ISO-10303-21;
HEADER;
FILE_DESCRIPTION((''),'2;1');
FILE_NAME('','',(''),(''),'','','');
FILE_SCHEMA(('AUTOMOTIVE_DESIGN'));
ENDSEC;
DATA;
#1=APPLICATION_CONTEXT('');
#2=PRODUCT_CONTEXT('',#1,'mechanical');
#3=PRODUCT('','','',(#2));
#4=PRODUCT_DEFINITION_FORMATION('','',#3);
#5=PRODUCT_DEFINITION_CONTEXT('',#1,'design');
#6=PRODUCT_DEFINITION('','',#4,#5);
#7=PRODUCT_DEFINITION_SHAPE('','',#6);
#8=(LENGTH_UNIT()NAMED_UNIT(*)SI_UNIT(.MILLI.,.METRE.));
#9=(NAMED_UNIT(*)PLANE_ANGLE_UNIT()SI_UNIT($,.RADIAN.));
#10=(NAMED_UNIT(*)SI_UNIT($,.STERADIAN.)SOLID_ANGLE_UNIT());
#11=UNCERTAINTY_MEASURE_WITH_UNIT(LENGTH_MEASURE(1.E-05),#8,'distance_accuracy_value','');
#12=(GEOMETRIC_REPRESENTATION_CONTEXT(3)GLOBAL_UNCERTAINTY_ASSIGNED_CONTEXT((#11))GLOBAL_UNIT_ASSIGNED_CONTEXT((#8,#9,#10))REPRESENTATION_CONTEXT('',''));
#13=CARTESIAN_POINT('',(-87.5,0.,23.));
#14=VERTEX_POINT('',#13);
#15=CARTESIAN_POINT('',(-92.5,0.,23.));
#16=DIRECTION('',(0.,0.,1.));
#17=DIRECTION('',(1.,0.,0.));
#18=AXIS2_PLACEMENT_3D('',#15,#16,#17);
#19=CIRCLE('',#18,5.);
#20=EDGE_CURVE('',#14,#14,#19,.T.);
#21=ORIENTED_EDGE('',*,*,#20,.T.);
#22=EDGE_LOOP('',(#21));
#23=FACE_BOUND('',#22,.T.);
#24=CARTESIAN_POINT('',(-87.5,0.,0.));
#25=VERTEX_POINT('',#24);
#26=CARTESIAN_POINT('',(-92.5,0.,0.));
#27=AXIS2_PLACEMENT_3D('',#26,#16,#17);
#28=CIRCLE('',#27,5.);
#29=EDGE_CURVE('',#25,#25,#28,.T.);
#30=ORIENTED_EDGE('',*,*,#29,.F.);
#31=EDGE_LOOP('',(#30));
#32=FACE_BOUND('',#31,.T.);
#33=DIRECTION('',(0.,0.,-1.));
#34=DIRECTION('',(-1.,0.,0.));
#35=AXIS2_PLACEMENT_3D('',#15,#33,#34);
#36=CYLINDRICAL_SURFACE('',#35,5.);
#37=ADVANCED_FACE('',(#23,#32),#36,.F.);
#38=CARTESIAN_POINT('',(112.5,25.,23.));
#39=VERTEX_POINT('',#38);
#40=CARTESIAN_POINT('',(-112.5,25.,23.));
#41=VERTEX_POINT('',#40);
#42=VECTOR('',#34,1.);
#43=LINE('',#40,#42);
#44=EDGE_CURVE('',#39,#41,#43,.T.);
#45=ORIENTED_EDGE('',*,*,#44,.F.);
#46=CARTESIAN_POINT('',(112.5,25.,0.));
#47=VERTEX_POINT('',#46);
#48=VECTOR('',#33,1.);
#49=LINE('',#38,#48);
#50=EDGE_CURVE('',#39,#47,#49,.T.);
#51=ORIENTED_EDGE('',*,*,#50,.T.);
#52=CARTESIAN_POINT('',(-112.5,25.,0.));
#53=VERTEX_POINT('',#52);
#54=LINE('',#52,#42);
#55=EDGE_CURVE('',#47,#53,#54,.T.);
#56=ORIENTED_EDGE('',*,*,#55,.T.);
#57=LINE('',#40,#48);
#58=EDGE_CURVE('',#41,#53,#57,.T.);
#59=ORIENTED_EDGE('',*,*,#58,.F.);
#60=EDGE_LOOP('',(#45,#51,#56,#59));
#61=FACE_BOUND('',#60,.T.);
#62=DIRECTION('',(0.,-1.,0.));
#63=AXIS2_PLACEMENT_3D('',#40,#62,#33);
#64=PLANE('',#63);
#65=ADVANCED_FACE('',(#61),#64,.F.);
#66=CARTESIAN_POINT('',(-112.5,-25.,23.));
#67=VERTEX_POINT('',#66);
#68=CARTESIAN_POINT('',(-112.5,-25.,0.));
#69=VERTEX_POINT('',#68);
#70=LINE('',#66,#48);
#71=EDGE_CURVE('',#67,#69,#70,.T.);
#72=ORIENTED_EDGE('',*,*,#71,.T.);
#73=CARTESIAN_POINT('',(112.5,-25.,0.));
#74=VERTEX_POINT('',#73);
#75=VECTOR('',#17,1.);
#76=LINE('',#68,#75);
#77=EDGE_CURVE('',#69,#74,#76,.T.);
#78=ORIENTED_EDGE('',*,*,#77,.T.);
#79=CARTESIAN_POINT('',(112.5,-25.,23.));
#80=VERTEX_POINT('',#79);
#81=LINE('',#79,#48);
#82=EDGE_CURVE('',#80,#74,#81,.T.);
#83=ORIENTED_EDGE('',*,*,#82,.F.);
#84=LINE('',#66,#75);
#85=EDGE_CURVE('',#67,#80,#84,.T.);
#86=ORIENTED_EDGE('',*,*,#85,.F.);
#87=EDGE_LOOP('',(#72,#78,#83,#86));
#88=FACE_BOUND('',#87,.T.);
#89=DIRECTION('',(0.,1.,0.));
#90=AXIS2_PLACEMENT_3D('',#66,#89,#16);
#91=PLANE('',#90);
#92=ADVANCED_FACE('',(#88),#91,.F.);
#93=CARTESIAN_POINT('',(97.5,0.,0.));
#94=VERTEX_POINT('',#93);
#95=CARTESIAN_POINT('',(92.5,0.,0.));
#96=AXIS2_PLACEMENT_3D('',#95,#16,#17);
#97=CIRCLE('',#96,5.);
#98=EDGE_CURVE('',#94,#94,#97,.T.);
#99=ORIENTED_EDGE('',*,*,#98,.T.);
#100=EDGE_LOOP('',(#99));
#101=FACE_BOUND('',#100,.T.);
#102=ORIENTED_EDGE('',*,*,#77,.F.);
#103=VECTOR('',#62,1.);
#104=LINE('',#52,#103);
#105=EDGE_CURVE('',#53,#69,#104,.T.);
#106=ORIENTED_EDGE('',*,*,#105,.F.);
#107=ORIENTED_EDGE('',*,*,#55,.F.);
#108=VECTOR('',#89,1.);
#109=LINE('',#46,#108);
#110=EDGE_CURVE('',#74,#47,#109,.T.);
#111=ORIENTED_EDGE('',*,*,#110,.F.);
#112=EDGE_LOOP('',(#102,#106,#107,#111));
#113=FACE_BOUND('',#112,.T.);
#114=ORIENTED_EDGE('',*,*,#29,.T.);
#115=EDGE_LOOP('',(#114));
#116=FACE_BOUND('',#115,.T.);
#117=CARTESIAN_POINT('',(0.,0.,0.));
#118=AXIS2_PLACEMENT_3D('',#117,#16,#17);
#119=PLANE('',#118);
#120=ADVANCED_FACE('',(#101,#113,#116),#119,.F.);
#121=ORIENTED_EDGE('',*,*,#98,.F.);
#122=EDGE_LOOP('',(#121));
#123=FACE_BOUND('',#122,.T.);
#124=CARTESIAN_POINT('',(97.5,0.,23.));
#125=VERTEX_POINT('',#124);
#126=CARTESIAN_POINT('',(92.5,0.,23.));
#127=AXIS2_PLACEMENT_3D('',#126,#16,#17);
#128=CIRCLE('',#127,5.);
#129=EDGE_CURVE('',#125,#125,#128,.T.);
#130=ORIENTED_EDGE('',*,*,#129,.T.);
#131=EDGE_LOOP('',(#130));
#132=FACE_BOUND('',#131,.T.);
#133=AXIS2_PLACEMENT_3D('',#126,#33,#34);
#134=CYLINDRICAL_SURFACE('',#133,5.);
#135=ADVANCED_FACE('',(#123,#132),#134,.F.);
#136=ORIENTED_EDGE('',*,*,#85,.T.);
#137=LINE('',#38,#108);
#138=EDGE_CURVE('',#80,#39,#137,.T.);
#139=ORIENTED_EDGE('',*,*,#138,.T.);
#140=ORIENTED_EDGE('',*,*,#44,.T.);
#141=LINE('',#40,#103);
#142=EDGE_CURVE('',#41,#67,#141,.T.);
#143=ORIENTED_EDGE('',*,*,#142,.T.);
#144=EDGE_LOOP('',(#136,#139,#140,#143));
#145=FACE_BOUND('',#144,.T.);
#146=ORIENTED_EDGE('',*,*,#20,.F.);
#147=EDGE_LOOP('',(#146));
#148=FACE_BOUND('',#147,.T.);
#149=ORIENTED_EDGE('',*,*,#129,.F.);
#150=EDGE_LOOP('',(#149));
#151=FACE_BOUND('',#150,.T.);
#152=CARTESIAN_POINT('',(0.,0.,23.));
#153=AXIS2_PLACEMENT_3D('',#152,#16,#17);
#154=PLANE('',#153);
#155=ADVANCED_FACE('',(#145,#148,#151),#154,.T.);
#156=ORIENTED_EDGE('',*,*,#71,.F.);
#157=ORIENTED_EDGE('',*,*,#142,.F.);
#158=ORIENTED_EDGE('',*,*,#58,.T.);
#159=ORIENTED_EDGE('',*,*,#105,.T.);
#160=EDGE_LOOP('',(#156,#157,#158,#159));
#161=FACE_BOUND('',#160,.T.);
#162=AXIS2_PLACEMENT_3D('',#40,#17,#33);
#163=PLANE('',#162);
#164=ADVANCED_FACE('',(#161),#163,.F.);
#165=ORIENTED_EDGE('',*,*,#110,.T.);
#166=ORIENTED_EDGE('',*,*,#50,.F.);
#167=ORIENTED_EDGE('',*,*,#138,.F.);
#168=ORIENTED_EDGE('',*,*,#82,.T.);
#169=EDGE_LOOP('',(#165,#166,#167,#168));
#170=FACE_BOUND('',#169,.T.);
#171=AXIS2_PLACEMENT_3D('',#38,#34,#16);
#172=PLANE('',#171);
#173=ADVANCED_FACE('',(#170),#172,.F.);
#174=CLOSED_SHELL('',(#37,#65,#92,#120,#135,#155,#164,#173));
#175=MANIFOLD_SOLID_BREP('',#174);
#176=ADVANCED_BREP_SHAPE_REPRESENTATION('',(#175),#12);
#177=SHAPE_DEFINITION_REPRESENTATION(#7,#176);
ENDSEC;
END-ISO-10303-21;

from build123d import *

# Parameters (mm, degrees)
SKETCH1_W           = 225
SKETCH1_H           = 50
SKETCH1_R           = 5
BOSS_EXTRUDE1_DEPTH = 23


with BuildPart() as part:
    # Sketch1 → Boss-Extrude1 (new body)
    with BuildSketch(Plane.XY):
        Rectangle(SKETCH1_W, SKETCH1_H)
        with Locations((92.5, 0)):
            Circle(SKETCH1_R, mode=Mode.SUBTRACT)
        with Locations((-92.5, 0)):
            Circle(SKETCH1_R, mode=Mode.SUBTRACT)
    extrude(amount=BOSS_EXTRUDE1_DEPTH)


solid = part.part
